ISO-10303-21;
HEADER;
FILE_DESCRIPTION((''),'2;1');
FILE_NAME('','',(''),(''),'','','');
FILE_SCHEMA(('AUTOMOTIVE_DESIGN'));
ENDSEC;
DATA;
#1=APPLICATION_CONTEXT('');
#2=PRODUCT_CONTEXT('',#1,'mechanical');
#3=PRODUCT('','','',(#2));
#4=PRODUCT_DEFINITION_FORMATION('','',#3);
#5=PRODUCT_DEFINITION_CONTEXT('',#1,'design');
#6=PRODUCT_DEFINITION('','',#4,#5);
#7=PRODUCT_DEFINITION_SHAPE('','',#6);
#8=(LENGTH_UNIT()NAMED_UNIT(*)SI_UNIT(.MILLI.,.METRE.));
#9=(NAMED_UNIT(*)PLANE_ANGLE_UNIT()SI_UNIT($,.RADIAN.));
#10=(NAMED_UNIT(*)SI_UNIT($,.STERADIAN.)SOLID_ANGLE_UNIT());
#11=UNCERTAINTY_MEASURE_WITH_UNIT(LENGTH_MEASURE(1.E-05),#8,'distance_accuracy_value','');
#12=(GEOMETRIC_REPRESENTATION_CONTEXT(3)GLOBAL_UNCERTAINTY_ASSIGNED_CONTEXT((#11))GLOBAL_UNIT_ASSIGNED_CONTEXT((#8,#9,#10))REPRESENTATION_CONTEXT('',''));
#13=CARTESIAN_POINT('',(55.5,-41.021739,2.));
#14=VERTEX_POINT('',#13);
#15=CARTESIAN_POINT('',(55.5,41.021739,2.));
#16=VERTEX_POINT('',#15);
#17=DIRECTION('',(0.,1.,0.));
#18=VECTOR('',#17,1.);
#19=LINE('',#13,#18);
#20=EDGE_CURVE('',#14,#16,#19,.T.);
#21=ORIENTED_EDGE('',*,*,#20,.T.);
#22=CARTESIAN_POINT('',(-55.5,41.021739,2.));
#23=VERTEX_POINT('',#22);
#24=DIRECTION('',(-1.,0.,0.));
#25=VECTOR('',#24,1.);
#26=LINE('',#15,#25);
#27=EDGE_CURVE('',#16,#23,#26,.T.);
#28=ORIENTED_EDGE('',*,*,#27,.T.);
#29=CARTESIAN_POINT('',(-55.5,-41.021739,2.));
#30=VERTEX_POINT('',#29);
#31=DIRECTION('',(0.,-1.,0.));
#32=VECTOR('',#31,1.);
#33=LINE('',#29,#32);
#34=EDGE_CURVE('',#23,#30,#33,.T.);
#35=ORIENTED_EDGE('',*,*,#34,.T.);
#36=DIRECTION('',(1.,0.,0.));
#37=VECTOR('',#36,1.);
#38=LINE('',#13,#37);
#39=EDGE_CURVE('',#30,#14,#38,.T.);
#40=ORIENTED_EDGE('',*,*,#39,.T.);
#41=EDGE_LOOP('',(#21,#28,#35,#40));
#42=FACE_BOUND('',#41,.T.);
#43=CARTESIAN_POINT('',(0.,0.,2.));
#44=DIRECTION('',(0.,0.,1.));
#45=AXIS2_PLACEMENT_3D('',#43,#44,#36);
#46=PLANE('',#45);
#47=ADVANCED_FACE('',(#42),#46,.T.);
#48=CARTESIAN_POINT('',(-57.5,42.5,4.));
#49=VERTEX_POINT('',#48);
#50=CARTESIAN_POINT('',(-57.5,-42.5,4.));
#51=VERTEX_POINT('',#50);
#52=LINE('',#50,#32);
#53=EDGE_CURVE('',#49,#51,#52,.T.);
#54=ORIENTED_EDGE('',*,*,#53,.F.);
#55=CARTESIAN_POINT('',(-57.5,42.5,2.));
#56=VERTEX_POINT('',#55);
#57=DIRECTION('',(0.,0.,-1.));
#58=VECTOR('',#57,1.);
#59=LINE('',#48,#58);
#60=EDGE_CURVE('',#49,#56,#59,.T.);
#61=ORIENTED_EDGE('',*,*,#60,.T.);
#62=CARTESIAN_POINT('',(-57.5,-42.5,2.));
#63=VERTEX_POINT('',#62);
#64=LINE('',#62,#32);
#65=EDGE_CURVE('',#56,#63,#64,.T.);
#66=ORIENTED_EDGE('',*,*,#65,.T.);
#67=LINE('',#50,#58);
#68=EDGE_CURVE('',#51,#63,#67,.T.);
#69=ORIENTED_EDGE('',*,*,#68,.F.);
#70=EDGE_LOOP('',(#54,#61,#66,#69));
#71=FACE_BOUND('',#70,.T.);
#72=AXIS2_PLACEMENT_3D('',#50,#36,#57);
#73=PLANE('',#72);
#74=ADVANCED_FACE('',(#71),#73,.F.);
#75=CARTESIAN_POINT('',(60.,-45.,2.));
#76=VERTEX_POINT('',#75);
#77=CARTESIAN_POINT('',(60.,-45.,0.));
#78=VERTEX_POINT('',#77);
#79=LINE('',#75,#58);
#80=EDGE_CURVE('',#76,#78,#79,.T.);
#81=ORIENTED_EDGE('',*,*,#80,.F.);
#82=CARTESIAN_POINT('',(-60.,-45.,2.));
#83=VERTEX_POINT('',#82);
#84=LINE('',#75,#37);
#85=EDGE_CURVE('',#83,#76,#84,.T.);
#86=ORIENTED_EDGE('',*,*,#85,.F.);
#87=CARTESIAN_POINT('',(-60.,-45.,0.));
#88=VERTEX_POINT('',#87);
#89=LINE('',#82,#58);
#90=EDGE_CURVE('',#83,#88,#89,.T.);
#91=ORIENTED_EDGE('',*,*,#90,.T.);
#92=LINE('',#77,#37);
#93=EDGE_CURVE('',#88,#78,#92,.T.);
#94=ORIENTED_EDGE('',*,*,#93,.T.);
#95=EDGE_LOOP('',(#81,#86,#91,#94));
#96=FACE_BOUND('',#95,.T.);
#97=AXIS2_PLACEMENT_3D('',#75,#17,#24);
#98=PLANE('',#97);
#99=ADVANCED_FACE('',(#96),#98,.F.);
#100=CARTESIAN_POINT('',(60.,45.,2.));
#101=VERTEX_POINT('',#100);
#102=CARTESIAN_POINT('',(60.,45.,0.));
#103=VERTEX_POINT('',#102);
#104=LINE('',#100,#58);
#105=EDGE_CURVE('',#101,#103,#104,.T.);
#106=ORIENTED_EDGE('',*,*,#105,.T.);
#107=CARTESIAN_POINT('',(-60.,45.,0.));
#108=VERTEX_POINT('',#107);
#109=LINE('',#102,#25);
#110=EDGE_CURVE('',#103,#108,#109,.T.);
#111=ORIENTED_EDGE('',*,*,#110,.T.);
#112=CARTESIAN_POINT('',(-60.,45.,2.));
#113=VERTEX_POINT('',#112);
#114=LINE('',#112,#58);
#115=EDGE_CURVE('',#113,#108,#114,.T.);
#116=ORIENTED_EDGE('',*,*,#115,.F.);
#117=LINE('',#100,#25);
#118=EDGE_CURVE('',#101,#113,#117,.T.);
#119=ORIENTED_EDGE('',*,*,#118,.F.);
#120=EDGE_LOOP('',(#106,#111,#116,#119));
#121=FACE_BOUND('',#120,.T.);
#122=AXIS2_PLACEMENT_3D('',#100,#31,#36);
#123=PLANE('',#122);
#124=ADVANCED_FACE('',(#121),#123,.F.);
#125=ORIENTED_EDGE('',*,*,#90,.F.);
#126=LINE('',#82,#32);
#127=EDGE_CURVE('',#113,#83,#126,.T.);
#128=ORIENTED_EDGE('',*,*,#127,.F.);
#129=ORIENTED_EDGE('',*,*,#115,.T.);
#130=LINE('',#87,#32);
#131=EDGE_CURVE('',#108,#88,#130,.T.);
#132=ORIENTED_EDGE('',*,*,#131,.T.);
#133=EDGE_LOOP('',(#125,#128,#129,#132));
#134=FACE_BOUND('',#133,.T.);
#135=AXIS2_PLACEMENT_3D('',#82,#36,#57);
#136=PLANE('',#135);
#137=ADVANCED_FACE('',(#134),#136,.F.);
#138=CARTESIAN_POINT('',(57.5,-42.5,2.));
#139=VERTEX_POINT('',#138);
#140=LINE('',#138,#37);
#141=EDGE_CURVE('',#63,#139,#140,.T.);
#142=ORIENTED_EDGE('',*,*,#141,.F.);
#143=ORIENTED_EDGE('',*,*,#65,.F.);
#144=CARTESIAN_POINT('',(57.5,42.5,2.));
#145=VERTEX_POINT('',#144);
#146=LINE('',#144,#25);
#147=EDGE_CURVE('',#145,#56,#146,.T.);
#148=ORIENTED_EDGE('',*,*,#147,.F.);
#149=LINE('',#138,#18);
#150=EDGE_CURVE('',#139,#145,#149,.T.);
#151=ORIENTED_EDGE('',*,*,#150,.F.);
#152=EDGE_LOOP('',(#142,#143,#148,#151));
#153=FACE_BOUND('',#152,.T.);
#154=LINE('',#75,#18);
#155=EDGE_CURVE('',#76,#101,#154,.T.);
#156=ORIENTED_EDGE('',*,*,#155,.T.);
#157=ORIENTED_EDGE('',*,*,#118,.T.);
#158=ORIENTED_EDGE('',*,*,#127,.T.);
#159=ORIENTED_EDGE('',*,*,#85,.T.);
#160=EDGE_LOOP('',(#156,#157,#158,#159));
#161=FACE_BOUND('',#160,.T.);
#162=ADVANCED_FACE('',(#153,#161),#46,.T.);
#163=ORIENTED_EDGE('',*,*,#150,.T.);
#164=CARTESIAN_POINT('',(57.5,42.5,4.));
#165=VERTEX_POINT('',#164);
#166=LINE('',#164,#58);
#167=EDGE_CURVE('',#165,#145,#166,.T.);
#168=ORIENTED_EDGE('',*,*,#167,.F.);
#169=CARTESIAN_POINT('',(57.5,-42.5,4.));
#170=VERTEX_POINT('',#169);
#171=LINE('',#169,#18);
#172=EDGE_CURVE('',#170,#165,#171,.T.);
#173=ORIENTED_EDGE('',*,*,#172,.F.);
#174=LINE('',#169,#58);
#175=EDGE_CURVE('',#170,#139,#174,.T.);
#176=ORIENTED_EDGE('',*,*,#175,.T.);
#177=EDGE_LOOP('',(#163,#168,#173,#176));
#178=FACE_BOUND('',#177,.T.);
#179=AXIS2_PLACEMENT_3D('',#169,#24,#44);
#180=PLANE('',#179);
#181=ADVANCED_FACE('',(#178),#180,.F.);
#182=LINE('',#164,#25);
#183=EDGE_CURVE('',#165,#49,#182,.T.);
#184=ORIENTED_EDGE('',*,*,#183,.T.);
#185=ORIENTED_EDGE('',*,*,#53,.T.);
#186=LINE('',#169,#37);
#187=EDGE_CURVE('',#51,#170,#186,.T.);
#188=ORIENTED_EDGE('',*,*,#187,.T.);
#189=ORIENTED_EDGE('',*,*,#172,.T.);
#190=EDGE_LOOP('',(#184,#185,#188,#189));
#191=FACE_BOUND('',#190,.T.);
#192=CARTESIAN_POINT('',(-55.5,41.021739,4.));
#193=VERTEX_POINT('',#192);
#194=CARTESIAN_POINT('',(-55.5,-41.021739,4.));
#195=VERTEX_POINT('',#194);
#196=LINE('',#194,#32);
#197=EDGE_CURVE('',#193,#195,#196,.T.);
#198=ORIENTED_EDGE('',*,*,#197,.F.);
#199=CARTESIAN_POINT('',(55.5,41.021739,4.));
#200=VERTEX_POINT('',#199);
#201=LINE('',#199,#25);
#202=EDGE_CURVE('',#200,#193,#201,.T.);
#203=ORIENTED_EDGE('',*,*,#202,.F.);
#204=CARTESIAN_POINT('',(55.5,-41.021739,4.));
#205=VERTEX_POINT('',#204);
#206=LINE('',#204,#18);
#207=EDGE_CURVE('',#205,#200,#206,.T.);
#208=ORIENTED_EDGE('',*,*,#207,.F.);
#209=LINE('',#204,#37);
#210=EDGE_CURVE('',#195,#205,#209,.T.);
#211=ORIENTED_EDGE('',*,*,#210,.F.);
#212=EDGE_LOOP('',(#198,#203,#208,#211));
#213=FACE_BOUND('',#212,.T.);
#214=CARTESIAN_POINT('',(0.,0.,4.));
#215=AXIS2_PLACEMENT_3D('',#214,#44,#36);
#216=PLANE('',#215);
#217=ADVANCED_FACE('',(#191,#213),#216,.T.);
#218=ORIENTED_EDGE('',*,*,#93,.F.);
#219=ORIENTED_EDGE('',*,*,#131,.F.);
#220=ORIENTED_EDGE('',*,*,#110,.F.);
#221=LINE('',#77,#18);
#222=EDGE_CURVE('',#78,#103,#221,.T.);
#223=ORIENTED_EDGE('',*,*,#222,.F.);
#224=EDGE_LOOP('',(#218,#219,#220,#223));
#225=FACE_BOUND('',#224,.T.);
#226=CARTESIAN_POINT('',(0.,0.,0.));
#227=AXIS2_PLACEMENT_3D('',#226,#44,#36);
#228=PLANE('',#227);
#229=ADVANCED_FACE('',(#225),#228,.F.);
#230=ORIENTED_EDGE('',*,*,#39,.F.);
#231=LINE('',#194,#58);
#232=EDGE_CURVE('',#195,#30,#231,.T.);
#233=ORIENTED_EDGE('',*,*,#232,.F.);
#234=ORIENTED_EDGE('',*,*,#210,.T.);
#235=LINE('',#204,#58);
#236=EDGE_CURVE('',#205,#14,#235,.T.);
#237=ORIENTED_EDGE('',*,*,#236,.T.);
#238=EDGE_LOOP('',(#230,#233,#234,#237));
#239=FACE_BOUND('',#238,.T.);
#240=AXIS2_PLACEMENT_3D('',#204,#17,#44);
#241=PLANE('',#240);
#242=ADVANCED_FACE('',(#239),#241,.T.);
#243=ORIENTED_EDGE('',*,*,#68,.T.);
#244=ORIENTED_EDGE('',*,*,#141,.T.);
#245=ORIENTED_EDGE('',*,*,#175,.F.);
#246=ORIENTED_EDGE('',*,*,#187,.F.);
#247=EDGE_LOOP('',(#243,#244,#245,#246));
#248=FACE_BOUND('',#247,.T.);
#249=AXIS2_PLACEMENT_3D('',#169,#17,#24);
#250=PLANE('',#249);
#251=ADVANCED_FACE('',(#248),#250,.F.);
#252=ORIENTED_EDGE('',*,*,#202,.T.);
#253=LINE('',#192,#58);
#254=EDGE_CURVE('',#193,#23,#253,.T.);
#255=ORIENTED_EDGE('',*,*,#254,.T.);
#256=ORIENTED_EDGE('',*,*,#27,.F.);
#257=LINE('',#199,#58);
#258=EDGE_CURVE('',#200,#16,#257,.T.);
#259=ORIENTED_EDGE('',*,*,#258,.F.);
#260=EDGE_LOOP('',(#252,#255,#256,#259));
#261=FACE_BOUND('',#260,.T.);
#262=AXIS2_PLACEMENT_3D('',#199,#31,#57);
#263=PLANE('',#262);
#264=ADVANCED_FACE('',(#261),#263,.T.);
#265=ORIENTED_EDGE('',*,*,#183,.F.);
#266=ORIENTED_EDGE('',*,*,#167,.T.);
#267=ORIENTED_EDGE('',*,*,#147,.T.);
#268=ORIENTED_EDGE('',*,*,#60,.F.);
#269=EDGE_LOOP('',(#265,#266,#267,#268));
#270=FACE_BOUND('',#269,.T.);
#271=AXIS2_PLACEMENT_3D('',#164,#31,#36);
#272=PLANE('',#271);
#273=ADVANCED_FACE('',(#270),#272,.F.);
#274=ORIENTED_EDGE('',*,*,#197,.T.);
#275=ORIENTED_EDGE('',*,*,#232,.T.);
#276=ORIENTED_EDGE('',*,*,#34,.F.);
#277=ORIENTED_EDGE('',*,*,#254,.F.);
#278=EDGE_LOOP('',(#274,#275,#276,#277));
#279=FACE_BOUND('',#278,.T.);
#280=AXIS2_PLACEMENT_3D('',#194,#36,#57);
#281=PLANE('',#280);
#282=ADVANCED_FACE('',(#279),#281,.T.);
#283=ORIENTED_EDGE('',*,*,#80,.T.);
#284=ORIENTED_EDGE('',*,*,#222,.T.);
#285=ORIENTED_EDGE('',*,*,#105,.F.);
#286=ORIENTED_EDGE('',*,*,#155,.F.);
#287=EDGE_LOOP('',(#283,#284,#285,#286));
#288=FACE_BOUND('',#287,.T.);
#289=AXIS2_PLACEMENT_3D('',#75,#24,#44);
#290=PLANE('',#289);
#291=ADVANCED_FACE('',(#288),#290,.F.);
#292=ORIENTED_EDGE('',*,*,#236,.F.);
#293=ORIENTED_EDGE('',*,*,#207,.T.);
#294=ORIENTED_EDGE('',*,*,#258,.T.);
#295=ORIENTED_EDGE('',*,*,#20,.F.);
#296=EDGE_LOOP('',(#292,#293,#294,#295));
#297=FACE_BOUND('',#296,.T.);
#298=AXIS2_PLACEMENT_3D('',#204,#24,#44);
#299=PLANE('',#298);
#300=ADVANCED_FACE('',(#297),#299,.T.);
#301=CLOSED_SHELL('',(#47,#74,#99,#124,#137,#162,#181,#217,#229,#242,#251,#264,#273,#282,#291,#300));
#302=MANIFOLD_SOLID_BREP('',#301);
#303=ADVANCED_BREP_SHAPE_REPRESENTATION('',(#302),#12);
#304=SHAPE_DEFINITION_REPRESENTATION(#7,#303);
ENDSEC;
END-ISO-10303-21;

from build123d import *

# Parameters (mm, degrees)
ESQUISSE1_W        = 120
ESQUISSE1_H        = 90
BOSS_EXTRU_1_DEPTH = 2
ESQUISSE2_W        = 115
ESQUISSE2_H        = 85
ESQUISSE2_W_2      = 111
ESQUISSE2_H_2      = 82.04347826
BOSS_EXTRU_2_DEPTH = 2


with BuildPart() as part:
    # Esquisse1 → Boss.-Extru.1 (new body)
    with BuildSketch(Plane.XY):
        Rectangle(ESQUISSE1_W, ESQUISSE1_H)
    extrude(amount=BOSS_EXTRU_1_DEPTH)

    # Esquisse2 → Boss.-Extru.2 (add)
    with BuildSketch(Plane.XY.offset(2)):
        Rectangle(ESQUISSE2_W, ESQUISSE2_H)
        Rectangle(ESQUISSE2_W_2, ESQUISSE2_H_2, mode=Mode.SUBTRACT)
    extrude(amount=BOSS_EXTRU_2_DEPTH)


solid = part.part
